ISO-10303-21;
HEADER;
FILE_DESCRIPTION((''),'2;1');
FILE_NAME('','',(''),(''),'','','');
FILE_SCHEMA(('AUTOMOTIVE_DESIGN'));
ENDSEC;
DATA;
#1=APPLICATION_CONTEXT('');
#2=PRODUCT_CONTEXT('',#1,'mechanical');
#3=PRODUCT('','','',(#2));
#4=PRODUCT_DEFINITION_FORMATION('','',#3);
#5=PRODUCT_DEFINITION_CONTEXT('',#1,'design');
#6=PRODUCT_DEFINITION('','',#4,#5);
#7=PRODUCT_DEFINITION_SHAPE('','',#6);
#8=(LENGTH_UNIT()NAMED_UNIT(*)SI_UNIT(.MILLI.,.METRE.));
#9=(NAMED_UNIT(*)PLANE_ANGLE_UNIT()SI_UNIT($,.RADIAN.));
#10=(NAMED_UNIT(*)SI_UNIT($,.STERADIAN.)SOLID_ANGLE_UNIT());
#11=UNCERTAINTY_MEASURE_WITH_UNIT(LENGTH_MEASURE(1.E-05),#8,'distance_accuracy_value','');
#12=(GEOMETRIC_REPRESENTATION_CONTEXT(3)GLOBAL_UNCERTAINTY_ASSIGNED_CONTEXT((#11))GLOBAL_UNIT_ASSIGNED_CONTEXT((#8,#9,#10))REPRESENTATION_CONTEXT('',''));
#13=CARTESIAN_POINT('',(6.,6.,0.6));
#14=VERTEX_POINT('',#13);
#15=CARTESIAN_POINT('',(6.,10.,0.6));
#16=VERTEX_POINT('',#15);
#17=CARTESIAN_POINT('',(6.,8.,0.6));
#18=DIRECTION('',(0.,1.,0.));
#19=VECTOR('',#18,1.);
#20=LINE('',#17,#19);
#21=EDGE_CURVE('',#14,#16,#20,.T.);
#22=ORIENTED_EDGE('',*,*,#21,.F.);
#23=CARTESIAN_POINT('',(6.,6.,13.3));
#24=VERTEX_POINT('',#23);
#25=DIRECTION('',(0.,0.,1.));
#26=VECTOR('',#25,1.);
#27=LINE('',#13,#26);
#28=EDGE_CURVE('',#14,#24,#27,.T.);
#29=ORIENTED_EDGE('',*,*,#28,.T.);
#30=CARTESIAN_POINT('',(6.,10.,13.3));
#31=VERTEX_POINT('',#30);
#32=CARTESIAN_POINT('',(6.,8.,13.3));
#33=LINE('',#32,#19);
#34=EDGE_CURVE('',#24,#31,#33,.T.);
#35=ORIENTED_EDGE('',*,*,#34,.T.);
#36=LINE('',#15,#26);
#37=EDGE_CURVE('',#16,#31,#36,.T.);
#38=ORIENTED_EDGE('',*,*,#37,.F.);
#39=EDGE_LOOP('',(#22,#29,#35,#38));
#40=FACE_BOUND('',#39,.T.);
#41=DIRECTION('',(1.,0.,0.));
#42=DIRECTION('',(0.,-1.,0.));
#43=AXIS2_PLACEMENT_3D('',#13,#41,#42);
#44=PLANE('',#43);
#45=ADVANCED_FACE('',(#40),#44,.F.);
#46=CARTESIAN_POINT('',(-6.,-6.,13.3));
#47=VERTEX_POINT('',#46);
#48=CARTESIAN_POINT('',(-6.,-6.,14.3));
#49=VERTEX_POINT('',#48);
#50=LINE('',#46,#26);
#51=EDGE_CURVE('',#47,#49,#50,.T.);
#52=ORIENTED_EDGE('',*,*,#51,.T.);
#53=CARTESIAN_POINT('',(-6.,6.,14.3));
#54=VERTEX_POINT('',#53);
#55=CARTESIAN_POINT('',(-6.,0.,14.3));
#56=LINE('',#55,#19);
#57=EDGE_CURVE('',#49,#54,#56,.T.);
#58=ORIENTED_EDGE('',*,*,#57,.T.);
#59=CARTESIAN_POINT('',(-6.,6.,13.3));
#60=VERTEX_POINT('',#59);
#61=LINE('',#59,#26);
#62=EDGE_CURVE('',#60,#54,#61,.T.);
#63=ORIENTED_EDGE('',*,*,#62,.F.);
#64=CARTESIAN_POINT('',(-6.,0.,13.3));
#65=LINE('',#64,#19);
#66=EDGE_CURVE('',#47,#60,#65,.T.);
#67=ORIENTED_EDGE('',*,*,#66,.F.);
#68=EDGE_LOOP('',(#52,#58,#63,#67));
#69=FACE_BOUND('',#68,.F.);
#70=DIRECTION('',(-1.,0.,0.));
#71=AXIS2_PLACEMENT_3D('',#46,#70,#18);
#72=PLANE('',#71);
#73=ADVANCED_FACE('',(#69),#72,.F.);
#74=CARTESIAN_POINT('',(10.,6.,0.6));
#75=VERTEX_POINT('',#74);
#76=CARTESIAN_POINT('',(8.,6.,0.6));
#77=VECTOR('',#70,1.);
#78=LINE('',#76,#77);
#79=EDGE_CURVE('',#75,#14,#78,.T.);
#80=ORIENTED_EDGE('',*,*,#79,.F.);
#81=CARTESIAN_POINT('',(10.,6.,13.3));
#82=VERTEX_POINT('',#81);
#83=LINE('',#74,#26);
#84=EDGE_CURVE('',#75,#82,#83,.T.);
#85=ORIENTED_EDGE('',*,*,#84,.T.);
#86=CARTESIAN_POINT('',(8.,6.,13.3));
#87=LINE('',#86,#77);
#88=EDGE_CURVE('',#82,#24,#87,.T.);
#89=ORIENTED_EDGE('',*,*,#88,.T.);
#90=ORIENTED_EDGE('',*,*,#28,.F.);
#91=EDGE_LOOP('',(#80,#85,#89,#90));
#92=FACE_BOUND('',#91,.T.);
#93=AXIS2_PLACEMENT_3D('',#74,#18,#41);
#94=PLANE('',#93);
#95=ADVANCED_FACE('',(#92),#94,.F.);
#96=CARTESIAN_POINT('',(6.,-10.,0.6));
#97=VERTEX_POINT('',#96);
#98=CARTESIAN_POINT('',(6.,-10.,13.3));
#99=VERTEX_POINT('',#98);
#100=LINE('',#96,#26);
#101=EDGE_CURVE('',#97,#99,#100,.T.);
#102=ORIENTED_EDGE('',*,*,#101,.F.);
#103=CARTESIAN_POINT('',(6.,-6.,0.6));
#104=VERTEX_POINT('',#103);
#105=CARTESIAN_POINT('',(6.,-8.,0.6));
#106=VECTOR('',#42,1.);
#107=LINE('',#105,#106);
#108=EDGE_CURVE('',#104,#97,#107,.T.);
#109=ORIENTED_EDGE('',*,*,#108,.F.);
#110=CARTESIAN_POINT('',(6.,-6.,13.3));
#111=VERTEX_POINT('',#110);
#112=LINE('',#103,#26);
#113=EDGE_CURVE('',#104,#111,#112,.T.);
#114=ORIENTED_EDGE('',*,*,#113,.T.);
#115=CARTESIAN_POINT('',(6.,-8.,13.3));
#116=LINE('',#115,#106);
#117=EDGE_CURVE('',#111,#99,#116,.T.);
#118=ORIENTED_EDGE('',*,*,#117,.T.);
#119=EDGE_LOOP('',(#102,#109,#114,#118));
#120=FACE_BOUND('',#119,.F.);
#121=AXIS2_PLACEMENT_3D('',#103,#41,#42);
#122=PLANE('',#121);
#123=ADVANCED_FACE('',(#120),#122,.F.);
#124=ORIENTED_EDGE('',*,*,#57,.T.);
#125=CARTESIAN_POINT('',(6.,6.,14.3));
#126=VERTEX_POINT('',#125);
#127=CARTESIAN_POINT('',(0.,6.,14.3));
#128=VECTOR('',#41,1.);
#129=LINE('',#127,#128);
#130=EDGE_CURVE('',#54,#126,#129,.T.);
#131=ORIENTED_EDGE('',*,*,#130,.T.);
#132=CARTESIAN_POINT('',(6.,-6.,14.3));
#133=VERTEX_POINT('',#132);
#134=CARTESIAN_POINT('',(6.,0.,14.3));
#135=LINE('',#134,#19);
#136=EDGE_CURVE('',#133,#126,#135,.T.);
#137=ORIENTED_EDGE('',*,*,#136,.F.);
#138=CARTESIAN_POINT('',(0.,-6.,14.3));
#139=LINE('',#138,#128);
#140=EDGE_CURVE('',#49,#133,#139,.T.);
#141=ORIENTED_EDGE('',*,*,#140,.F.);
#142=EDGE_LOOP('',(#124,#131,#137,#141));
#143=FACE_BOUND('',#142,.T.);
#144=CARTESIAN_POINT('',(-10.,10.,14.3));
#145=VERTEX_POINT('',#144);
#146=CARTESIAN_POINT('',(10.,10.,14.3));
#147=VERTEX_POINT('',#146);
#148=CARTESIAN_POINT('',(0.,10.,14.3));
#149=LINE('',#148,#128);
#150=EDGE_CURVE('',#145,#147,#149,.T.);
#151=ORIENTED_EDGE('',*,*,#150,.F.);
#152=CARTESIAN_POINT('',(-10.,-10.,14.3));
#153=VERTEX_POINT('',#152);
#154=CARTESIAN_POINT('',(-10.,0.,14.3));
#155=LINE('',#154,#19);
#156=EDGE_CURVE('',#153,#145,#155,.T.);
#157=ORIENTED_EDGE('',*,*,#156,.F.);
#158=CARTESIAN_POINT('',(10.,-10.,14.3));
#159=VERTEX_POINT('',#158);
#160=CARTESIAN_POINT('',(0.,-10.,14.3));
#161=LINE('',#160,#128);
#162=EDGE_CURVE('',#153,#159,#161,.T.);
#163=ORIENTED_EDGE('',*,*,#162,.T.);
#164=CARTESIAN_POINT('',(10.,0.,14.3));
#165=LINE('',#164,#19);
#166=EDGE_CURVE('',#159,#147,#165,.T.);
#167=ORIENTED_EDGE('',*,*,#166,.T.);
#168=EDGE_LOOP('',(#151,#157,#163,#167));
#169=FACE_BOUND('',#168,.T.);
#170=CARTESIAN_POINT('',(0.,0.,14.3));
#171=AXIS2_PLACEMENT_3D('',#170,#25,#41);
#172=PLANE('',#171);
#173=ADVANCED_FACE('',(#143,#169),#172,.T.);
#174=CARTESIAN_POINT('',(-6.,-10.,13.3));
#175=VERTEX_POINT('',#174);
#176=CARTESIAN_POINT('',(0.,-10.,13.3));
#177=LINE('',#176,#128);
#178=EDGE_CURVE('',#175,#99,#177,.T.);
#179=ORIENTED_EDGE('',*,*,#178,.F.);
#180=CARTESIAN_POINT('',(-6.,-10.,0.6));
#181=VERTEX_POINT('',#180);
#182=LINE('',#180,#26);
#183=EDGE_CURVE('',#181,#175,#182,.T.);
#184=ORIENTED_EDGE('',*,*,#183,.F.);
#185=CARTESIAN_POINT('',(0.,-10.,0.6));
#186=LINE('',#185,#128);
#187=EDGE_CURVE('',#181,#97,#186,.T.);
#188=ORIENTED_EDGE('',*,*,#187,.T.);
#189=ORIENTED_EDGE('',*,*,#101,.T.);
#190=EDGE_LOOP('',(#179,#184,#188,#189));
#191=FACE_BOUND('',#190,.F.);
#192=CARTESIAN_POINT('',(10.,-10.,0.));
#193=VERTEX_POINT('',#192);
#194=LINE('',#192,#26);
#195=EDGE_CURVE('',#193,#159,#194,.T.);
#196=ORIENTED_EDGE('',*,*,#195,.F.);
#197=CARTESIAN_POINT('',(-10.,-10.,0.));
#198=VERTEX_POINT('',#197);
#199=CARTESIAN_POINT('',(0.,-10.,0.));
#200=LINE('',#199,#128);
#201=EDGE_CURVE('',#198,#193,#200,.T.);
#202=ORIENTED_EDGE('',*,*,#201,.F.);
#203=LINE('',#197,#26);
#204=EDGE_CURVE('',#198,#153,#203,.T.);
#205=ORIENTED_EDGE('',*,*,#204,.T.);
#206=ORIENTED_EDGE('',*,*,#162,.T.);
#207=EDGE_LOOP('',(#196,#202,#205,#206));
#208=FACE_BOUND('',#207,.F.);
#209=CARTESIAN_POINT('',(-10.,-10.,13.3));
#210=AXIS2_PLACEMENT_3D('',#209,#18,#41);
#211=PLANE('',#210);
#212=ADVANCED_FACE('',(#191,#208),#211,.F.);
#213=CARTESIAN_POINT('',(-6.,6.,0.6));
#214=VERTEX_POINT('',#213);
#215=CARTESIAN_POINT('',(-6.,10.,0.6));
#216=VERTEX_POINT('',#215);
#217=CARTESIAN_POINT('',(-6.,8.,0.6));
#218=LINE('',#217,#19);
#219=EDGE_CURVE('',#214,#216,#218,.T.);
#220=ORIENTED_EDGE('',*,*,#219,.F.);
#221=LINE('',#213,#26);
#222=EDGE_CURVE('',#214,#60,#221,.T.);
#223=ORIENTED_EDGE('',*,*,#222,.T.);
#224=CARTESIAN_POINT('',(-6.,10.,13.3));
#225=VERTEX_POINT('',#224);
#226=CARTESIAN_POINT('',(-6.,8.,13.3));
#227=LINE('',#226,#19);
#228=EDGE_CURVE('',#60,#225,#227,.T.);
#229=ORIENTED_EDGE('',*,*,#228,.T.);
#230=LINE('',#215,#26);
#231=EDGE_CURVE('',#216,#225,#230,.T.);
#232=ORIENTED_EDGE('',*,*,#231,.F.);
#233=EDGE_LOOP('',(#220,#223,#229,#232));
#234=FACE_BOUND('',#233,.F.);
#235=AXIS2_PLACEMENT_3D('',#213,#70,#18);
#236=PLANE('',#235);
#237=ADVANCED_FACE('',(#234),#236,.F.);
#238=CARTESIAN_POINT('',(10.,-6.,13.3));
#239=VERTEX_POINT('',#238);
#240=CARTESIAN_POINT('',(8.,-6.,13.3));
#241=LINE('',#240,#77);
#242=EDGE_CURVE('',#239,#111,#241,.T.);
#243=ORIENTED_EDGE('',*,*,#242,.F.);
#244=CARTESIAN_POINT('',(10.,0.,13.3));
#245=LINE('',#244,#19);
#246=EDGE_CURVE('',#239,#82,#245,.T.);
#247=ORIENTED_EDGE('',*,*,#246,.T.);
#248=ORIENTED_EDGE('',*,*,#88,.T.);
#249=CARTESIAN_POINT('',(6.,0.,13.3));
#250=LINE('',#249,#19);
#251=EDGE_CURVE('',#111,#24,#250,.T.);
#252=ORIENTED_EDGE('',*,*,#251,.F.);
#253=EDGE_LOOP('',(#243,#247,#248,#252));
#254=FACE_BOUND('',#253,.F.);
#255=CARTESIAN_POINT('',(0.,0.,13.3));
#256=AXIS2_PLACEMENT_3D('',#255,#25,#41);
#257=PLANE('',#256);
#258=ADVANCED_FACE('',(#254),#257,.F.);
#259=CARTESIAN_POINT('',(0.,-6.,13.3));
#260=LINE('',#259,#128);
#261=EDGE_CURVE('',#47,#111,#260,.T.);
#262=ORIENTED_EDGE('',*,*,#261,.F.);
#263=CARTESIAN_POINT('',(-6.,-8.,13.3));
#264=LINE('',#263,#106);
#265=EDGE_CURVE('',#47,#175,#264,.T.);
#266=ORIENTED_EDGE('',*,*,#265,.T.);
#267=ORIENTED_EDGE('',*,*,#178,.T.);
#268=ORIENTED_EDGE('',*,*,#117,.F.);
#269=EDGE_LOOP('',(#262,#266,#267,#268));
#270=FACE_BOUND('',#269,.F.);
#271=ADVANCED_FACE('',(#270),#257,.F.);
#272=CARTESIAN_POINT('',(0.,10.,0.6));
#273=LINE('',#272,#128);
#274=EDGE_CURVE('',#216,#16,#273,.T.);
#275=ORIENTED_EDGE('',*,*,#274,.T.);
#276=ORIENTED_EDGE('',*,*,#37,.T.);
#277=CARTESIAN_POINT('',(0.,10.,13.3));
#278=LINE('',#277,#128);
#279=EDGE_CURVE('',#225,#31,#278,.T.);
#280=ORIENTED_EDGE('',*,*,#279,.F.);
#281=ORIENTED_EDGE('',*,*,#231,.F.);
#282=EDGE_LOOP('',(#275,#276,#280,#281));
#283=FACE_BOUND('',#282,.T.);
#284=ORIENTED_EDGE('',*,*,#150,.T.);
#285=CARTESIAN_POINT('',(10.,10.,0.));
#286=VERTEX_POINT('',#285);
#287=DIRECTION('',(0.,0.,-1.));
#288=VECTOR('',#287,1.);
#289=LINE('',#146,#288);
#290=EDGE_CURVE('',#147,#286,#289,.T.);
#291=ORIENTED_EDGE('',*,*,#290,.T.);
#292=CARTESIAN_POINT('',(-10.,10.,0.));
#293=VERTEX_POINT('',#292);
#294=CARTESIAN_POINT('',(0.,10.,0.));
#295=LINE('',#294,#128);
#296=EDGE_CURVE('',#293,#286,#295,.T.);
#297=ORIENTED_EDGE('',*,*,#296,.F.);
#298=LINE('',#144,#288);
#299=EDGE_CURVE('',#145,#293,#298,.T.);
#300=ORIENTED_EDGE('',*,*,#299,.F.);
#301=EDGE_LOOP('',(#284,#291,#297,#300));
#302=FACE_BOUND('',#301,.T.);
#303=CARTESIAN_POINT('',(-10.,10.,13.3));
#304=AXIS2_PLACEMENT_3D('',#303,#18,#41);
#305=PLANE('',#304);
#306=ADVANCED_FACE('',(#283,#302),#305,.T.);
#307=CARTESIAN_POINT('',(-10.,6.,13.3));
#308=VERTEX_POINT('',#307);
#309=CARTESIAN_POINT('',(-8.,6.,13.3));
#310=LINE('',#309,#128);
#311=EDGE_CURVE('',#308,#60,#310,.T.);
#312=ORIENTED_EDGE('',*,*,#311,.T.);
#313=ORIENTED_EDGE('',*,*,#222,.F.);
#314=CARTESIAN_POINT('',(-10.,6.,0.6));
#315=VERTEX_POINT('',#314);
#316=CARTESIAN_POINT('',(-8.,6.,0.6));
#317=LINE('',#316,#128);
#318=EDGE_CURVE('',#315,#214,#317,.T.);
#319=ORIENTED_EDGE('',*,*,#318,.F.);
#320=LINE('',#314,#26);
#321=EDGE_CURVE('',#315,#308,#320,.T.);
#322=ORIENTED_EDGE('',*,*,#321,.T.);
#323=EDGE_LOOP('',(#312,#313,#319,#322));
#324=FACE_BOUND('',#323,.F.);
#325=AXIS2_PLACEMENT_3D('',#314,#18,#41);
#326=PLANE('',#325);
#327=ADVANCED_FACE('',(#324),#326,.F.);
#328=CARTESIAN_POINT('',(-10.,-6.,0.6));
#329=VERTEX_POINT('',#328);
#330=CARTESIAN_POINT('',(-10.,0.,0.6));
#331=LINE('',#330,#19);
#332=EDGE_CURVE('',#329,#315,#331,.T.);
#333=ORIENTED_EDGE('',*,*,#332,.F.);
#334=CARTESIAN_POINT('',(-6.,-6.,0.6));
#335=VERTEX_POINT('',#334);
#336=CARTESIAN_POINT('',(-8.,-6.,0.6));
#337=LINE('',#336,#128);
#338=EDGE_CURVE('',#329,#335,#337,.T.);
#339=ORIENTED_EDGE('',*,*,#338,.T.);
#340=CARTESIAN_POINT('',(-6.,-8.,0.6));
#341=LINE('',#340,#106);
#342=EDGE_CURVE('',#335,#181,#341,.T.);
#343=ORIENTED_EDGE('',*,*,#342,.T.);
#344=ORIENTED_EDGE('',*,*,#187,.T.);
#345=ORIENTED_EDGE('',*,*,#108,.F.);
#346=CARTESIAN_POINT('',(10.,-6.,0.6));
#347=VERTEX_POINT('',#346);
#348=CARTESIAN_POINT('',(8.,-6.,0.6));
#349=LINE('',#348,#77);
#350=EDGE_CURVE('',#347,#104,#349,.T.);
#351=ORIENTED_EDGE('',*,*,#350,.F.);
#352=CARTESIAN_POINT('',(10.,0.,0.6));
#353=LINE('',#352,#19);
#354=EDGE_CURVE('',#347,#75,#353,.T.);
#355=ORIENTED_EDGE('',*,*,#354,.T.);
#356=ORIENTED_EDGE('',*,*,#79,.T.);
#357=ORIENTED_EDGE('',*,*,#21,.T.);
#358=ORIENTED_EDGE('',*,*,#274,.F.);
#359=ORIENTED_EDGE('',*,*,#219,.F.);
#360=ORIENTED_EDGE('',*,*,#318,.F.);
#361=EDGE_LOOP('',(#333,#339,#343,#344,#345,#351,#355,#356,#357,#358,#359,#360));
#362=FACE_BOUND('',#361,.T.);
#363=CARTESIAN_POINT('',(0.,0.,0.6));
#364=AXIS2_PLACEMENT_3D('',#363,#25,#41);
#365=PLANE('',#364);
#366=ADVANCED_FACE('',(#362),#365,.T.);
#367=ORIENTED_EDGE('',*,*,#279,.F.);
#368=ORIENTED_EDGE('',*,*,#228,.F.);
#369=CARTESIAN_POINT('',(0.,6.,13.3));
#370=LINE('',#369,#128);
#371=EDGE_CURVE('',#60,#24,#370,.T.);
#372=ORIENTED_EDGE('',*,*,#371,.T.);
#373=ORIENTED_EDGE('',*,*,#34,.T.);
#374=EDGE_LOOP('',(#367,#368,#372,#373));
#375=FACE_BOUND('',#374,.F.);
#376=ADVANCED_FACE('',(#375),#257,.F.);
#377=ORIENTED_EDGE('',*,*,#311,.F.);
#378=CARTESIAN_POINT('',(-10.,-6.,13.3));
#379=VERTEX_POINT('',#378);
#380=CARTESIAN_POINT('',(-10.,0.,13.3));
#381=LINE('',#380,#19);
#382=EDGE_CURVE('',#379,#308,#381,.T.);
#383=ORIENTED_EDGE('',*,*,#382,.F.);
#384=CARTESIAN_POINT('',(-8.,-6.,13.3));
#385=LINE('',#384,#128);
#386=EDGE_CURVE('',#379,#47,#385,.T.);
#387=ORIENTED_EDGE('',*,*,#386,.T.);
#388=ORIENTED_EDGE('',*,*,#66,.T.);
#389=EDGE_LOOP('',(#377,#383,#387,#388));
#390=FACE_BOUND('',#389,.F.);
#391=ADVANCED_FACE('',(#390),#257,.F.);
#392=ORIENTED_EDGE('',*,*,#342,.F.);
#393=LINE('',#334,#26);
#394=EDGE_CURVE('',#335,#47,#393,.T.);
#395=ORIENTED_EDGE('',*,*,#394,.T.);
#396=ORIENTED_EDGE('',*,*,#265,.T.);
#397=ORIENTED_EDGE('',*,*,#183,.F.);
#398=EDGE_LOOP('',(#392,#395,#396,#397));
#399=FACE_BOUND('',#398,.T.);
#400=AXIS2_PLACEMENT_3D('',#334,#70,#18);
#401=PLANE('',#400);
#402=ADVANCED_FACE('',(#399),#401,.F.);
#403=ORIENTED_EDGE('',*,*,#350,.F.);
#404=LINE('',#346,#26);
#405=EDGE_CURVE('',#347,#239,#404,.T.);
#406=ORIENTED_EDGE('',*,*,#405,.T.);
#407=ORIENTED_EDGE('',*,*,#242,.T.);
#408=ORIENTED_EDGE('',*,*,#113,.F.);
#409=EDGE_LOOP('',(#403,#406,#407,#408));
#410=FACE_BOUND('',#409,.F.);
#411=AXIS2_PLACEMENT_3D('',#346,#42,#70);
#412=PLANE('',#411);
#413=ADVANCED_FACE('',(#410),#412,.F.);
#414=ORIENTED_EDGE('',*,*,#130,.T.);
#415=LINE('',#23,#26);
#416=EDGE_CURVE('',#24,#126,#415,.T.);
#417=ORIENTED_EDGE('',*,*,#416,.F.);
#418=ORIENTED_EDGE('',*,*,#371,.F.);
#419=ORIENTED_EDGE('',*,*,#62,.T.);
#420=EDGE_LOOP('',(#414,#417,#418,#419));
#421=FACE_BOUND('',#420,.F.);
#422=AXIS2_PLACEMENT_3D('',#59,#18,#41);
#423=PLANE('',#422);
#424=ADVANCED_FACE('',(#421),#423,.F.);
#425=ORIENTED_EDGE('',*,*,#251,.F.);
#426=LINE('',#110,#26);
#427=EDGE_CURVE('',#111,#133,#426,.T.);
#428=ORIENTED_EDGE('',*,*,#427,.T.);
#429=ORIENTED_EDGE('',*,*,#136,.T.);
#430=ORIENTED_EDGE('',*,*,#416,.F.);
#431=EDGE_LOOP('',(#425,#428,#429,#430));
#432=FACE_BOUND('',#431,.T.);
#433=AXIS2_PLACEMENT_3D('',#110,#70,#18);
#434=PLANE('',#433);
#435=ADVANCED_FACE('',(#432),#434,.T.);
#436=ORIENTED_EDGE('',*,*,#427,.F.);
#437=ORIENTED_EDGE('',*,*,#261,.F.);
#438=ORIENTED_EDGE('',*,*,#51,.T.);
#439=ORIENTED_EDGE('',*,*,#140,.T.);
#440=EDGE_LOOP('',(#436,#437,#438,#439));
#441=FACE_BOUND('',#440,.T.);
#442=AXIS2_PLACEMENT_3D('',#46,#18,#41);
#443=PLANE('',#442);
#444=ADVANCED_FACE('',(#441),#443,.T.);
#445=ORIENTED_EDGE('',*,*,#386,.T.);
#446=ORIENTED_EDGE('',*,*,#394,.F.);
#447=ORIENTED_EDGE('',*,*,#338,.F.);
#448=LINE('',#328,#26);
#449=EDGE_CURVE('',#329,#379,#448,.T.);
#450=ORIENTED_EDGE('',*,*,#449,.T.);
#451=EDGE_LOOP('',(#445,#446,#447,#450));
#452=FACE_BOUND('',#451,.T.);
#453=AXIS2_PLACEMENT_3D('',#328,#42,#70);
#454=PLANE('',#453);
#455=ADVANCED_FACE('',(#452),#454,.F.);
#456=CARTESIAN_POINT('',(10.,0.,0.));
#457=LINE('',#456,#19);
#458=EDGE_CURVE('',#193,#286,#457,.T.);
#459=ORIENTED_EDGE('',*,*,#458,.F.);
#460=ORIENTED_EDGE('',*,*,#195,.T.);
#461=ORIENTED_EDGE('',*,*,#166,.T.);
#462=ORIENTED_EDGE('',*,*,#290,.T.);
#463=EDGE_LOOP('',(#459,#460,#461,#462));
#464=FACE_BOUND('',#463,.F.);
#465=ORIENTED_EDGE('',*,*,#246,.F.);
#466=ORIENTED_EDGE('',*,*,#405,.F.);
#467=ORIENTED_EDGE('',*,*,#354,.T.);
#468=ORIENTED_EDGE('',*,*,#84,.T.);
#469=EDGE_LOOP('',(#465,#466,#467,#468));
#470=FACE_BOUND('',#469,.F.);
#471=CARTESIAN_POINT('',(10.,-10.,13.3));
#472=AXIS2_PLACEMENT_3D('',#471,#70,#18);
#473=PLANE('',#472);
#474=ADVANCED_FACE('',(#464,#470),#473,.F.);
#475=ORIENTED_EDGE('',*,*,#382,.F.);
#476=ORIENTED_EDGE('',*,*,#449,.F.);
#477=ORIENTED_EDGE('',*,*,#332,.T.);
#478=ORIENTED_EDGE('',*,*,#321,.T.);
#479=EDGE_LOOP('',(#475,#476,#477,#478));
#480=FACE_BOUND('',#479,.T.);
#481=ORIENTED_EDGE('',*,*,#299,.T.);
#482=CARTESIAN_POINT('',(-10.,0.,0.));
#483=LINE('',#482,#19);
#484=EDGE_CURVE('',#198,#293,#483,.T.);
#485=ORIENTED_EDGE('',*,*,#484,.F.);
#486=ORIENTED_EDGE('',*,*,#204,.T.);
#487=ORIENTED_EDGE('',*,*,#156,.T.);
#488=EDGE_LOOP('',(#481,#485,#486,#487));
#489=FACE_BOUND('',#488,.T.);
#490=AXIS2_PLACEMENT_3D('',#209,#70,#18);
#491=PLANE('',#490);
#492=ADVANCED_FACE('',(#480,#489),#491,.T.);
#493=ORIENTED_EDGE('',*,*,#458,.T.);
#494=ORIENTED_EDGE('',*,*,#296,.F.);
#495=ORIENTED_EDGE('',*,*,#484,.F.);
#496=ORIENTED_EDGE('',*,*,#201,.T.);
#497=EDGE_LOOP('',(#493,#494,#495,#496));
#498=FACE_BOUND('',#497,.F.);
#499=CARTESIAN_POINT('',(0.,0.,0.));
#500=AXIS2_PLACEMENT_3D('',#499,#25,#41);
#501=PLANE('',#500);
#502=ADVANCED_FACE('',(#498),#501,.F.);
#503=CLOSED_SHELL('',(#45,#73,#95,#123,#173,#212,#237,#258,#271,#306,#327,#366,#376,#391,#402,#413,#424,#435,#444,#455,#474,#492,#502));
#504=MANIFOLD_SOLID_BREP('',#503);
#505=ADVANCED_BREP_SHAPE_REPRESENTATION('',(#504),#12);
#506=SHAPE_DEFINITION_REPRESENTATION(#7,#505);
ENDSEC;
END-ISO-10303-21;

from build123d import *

# Parameters (mm, degrees)
F0_W     = 20
F0_H     = 20
F1_DEPTH = 0.6
F2_W     = 4
F2_H     = 4
F3_DEPTH = 12.7
F6_W     = 20
F6_H     = 20
F6_W_2   = 12
F6_H_2   = 12
F7_DEPTH = 1


with BuildPart() as f1:
    # F0 (on Top) → F1 (new body)
    with BuildSketch(Plane.XY):
        Rectangle(F0_W, F0_H)
    extrude(amount=F1_DEPTH)

    # F2 (on face) → F3 (join)
    with BuildSketch(Plane.XY.offset(0.6)):
        with Locations((-8, 8)):
            Rectangle(F2_W, F2_H)
    extrude(amount=F3_DEPTH)

    # F4: F1 across plane


with BuildPart() as f1_1:
    add(f1.part)
    add(f1.part.mirror(Plane.YZ))

    # F5: F1 across plane


with BuildPart() as f1_2:
    add(f1_1.part)
    add(f1_1.part.mirror(Plane.XZ))

    # F6 (on face) → F7 (join)
    with BuildSketch(Plane.XY.offset(13.3)):
        Rectangle(F6_W, F6_H)
        Rectangle(F6_W_2, F6_H_2, mode=Mode.SUBTRACT)
    extrude(amount=F7_DEPTH)


solid = f1_2.part
